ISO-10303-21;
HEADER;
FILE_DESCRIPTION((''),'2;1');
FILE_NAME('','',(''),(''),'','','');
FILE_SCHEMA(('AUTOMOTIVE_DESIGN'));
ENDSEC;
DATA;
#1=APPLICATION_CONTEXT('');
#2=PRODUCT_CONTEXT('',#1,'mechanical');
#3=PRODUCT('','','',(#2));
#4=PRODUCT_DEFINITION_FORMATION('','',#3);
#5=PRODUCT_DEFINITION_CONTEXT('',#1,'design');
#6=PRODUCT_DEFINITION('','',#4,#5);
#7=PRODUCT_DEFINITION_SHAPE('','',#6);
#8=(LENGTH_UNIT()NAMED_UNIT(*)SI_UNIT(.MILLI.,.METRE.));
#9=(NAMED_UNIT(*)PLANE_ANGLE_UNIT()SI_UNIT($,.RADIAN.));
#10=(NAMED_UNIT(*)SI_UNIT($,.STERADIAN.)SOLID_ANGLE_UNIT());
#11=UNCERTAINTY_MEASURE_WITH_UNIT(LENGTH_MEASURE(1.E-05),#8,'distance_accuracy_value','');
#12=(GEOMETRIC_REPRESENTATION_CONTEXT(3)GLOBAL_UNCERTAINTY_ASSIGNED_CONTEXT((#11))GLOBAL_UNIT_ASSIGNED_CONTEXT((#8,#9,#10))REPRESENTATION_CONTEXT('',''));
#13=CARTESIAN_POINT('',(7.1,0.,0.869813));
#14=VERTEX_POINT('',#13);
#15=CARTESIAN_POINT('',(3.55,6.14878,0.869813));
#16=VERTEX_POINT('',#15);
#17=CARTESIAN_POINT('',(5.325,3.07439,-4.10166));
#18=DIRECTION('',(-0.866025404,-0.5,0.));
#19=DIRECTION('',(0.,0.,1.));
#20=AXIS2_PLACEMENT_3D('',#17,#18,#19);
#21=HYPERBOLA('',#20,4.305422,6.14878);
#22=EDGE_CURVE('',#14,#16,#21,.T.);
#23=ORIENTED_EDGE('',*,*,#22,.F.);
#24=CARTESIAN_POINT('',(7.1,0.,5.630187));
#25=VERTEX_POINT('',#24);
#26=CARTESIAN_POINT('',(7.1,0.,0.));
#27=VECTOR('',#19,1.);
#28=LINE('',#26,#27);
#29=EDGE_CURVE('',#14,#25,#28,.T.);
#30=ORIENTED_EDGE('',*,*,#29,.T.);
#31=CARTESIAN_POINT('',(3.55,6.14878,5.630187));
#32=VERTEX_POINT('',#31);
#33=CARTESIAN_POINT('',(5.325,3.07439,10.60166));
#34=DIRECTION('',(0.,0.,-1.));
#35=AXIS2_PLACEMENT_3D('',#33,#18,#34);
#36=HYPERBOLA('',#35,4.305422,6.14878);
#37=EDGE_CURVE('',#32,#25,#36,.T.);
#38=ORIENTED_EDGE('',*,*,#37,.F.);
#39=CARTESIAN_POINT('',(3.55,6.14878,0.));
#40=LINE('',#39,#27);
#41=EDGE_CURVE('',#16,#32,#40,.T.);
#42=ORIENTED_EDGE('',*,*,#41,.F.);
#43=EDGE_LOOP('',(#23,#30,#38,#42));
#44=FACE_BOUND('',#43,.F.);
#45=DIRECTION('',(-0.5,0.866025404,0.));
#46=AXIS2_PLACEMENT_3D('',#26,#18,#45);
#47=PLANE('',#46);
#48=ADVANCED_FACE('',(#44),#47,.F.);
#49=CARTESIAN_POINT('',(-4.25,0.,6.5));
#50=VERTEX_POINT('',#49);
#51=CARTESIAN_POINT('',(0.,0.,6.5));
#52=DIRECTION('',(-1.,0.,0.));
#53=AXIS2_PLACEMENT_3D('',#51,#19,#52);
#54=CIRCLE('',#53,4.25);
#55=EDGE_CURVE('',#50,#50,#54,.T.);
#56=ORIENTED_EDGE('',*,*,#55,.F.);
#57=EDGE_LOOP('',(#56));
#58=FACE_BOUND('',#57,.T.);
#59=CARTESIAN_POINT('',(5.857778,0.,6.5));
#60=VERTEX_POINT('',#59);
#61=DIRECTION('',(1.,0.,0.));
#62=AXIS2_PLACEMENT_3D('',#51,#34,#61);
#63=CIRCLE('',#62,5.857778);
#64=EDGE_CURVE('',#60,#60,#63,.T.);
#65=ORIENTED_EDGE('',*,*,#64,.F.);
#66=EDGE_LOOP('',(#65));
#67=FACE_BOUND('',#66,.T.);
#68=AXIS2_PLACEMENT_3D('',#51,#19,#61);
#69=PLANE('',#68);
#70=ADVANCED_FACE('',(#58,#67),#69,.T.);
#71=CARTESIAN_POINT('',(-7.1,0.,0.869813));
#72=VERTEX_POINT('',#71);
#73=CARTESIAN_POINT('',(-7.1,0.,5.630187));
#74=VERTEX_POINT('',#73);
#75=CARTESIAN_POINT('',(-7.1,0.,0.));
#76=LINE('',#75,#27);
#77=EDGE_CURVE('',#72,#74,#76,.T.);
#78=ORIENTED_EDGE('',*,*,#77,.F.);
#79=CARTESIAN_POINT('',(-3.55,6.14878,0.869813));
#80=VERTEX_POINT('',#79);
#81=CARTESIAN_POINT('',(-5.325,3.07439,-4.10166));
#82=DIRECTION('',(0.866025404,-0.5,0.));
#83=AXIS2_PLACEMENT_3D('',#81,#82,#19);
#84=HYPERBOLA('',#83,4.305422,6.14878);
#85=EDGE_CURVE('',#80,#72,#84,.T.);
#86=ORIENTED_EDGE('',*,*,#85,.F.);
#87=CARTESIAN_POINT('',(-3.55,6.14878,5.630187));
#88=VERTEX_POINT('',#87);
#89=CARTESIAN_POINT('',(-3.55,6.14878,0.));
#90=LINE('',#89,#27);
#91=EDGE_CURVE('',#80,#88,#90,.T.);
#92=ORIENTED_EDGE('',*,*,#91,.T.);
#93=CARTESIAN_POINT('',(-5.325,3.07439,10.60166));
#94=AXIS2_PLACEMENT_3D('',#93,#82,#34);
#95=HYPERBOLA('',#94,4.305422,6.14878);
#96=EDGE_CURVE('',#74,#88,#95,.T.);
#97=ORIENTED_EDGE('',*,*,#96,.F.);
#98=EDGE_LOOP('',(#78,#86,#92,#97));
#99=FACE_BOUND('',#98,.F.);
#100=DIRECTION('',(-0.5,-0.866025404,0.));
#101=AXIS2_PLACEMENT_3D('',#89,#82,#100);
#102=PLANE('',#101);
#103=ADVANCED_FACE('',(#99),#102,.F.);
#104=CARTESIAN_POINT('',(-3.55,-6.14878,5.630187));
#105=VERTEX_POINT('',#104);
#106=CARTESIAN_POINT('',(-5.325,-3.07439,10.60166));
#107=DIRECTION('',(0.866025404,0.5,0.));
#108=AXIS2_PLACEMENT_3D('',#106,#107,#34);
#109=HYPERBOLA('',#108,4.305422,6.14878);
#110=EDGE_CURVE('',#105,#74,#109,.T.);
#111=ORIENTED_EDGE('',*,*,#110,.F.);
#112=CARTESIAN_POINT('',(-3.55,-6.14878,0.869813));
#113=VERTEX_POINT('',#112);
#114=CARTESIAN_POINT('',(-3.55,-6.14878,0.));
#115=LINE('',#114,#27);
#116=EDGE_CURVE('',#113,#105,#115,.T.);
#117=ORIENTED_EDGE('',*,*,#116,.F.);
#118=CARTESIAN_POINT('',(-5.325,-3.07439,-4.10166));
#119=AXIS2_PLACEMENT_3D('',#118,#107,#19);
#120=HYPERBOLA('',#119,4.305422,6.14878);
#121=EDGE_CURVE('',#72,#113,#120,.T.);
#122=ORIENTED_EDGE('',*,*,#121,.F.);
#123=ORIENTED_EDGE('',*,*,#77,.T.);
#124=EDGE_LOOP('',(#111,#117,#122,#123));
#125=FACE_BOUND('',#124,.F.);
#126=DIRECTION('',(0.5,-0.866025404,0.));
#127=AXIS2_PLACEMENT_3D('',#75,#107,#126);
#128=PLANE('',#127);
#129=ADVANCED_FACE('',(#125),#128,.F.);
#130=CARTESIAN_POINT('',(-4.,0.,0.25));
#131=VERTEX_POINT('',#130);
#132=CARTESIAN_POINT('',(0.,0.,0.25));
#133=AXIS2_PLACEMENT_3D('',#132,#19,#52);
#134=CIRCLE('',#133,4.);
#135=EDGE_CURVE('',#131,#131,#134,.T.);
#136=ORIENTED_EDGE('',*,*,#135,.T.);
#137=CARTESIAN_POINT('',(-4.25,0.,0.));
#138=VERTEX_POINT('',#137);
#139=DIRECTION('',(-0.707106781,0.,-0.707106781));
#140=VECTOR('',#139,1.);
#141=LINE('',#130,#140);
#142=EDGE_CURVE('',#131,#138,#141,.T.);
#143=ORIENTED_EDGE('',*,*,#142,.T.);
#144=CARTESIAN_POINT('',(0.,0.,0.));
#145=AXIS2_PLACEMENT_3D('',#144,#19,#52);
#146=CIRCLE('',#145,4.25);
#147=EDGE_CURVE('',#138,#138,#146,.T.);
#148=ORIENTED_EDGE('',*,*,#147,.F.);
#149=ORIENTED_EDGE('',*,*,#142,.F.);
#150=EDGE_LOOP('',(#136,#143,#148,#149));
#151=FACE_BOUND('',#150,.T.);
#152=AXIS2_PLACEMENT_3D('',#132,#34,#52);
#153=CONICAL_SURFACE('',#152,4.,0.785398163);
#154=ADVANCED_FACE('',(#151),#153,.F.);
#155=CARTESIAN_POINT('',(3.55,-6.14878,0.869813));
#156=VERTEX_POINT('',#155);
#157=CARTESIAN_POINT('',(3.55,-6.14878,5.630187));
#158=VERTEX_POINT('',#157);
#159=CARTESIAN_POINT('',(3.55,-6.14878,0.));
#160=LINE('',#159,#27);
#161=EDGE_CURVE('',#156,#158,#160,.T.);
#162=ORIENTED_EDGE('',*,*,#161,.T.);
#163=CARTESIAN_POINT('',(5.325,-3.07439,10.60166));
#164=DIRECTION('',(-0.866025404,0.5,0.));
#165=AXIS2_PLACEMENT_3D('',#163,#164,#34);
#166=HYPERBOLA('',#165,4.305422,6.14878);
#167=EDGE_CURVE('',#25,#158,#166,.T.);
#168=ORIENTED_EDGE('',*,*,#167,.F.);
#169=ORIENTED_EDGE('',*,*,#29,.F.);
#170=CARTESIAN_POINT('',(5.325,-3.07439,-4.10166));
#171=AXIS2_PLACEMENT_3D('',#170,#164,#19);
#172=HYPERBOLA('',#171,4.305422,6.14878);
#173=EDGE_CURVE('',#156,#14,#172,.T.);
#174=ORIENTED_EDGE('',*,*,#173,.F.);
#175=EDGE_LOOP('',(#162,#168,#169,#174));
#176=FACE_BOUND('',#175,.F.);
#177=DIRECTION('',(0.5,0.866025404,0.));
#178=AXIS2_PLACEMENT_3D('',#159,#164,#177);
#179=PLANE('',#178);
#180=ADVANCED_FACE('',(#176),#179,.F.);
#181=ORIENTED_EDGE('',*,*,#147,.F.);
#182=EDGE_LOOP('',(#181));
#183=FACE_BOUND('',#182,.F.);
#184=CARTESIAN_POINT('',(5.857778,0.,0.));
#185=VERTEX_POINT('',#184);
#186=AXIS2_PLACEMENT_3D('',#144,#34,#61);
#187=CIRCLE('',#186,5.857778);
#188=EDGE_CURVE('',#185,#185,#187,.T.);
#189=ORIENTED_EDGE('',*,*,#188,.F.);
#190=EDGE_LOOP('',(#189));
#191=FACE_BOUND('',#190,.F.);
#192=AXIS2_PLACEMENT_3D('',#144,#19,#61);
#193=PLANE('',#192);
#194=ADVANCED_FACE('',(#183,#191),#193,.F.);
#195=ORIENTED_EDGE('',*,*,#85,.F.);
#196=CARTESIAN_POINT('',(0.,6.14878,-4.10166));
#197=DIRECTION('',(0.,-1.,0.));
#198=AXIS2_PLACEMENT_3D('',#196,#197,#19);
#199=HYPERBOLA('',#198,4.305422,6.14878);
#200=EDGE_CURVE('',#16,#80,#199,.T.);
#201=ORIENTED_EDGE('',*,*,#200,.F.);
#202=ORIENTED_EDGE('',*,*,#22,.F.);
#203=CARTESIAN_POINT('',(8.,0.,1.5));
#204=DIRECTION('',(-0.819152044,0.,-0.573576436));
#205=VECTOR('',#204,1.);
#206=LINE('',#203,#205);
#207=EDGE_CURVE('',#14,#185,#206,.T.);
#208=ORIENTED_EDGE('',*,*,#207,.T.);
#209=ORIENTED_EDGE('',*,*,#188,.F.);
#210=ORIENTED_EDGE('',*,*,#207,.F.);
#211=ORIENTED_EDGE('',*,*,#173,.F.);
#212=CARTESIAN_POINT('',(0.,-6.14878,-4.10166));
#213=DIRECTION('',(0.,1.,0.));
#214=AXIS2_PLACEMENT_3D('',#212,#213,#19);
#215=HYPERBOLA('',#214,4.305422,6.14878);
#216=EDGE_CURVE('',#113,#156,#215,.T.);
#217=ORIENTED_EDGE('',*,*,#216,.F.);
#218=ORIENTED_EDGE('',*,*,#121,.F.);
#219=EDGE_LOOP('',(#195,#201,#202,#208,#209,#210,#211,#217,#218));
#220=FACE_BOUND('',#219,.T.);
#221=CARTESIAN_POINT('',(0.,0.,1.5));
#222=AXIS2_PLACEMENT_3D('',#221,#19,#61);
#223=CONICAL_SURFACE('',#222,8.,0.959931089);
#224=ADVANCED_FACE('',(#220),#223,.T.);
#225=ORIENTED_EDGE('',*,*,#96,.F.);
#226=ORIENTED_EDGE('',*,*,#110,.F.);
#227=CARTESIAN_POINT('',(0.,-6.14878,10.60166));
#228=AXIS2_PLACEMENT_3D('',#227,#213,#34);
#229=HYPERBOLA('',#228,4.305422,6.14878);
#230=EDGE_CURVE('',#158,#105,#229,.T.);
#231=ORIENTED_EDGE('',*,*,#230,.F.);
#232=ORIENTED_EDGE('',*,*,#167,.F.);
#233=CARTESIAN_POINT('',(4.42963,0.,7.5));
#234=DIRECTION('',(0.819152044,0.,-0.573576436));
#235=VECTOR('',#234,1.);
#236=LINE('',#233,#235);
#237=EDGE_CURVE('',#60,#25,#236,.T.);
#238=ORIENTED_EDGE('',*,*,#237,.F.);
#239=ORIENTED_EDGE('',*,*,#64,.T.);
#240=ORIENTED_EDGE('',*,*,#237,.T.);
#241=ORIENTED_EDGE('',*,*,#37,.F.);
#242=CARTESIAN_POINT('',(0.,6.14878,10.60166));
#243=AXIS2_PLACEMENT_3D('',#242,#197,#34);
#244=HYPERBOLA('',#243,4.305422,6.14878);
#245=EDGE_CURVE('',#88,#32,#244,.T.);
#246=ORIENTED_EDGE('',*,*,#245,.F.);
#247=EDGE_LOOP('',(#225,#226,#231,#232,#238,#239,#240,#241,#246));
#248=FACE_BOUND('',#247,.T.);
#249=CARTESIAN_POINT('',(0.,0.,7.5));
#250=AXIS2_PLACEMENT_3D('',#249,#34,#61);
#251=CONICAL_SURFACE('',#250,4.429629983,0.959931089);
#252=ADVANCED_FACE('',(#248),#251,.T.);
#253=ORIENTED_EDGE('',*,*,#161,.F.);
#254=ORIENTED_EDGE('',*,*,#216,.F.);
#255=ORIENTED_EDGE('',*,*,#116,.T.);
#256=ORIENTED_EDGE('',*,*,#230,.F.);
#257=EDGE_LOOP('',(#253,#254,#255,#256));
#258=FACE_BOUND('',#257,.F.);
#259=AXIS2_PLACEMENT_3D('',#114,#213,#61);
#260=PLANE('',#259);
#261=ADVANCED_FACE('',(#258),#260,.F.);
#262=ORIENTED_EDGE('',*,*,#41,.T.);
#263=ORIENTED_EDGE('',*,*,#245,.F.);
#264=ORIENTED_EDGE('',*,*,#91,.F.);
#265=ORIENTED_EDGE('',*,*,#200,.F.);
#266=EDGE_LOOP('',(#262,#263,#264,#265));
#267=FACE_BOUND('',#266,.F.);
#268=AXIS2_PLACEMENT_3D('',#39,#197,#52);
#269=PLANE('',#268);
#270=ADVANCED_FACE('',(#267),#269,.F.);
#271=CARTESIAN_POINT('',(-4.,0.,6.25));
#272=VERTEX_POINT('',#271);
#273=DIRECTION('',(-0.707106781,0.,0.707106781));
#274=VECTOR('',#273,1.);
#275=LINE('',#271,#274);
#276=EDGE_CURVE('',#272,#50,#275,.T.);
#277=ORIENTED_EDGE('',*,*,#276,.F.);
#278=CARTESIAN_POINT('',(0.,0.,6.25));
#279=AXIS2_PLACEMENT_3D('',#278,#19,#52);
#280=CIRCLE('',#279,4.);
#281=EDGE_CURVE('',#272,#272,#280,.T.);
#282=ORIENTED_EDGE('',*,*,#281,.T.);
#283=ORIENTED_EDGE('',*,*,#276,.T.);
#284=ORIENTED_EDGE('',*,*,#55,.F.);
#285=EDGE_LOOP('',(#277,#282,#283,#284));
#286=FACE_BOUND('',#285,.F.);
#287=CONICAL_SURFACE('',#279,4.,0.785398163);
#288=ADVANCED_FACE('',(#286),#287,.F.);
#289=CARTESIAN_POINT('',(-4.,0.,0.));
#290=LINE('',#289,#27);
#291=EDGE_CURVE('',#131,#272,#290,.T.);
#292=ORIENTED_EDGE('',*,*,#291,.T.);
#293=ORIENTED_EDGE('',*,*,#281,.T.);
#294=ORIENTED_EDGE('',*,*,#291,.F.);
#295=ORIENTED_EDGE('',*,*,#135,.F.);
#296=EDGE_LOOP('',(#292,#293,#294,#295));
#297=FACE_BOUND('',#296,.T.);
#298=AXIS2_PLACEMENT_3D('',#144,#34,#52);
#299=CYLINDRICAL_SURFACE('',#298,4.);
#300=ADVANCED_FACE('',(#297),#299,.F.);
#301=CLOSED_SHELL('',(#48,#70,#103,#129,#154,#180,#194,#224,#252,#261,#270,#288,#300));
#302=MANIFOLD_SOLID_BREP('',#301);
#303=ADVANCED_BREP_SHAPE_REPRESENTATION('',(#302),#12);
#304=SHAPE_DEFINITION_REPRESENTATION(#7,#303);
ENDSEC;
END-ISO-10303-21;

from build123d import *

# Parameters (mm, degrees)
SKETCH1_R           = 4
BOSS_EXTRUDE1_DEPTH = 6.5
CHAMFER1_SIZE       = 0.25


with BuildPart() as part:
    # Sketch1 → Boss-Extrude1 (new body)
    with BuildSketch(Plane.XY):
        Polygon((7.1, 0), (3.55, 6.148780367), (-3.55, 6.148780367), (-7.1, 0), (-3.55, -6.148780367), (3.55, -6.148780367), align=None)
        with Locations(Location((0, 0, 0), (0, 0, 180))):
            Circle(SKETCH1_R, mode=Mode.SUBTRACT)
    extrude(amount=BOSS_EXTRUDE1_DEPTH)

    # Chamfer1
    chamfer1_edges = [part.edges().sort_by_distance(p)[0] for p in [
        (4, 0, 0),
        (4, 0, 6.5),
    ]]
    chamfer(chamfer1_edges, length=CHAMFER1_SIZE)

    # Sketch3 → Cut-Revolve1 (revolve, cut)
    with BuildSketch(Plane(origin=(0, 0, 0), x_dir=(1, 0, 0), z_dir=(0, 1, 0)), mode=Mode.PRIVATE) as cut_revolve1_sk:
        Polygon((-1, -7.5), (-4.429629983, -7.5), (-8, -5), (-8, -1.5), (-4.429629983, 1), (-1, 1), (-1, 1.925478013), (-9.540810572, 1.925478013), (-9.540810572, -8.900626742), (-1, -8.900626742), align=None)
    revolve(cut_revolve1_sk.sketch.rotate(Axis((0, 0, 7.5), (0, 0, -1)), 180), axis=Axis((0, 0, 7.5), (0, 0, -1)), mode=Mode.SUBTRACT)


solid = part.part
